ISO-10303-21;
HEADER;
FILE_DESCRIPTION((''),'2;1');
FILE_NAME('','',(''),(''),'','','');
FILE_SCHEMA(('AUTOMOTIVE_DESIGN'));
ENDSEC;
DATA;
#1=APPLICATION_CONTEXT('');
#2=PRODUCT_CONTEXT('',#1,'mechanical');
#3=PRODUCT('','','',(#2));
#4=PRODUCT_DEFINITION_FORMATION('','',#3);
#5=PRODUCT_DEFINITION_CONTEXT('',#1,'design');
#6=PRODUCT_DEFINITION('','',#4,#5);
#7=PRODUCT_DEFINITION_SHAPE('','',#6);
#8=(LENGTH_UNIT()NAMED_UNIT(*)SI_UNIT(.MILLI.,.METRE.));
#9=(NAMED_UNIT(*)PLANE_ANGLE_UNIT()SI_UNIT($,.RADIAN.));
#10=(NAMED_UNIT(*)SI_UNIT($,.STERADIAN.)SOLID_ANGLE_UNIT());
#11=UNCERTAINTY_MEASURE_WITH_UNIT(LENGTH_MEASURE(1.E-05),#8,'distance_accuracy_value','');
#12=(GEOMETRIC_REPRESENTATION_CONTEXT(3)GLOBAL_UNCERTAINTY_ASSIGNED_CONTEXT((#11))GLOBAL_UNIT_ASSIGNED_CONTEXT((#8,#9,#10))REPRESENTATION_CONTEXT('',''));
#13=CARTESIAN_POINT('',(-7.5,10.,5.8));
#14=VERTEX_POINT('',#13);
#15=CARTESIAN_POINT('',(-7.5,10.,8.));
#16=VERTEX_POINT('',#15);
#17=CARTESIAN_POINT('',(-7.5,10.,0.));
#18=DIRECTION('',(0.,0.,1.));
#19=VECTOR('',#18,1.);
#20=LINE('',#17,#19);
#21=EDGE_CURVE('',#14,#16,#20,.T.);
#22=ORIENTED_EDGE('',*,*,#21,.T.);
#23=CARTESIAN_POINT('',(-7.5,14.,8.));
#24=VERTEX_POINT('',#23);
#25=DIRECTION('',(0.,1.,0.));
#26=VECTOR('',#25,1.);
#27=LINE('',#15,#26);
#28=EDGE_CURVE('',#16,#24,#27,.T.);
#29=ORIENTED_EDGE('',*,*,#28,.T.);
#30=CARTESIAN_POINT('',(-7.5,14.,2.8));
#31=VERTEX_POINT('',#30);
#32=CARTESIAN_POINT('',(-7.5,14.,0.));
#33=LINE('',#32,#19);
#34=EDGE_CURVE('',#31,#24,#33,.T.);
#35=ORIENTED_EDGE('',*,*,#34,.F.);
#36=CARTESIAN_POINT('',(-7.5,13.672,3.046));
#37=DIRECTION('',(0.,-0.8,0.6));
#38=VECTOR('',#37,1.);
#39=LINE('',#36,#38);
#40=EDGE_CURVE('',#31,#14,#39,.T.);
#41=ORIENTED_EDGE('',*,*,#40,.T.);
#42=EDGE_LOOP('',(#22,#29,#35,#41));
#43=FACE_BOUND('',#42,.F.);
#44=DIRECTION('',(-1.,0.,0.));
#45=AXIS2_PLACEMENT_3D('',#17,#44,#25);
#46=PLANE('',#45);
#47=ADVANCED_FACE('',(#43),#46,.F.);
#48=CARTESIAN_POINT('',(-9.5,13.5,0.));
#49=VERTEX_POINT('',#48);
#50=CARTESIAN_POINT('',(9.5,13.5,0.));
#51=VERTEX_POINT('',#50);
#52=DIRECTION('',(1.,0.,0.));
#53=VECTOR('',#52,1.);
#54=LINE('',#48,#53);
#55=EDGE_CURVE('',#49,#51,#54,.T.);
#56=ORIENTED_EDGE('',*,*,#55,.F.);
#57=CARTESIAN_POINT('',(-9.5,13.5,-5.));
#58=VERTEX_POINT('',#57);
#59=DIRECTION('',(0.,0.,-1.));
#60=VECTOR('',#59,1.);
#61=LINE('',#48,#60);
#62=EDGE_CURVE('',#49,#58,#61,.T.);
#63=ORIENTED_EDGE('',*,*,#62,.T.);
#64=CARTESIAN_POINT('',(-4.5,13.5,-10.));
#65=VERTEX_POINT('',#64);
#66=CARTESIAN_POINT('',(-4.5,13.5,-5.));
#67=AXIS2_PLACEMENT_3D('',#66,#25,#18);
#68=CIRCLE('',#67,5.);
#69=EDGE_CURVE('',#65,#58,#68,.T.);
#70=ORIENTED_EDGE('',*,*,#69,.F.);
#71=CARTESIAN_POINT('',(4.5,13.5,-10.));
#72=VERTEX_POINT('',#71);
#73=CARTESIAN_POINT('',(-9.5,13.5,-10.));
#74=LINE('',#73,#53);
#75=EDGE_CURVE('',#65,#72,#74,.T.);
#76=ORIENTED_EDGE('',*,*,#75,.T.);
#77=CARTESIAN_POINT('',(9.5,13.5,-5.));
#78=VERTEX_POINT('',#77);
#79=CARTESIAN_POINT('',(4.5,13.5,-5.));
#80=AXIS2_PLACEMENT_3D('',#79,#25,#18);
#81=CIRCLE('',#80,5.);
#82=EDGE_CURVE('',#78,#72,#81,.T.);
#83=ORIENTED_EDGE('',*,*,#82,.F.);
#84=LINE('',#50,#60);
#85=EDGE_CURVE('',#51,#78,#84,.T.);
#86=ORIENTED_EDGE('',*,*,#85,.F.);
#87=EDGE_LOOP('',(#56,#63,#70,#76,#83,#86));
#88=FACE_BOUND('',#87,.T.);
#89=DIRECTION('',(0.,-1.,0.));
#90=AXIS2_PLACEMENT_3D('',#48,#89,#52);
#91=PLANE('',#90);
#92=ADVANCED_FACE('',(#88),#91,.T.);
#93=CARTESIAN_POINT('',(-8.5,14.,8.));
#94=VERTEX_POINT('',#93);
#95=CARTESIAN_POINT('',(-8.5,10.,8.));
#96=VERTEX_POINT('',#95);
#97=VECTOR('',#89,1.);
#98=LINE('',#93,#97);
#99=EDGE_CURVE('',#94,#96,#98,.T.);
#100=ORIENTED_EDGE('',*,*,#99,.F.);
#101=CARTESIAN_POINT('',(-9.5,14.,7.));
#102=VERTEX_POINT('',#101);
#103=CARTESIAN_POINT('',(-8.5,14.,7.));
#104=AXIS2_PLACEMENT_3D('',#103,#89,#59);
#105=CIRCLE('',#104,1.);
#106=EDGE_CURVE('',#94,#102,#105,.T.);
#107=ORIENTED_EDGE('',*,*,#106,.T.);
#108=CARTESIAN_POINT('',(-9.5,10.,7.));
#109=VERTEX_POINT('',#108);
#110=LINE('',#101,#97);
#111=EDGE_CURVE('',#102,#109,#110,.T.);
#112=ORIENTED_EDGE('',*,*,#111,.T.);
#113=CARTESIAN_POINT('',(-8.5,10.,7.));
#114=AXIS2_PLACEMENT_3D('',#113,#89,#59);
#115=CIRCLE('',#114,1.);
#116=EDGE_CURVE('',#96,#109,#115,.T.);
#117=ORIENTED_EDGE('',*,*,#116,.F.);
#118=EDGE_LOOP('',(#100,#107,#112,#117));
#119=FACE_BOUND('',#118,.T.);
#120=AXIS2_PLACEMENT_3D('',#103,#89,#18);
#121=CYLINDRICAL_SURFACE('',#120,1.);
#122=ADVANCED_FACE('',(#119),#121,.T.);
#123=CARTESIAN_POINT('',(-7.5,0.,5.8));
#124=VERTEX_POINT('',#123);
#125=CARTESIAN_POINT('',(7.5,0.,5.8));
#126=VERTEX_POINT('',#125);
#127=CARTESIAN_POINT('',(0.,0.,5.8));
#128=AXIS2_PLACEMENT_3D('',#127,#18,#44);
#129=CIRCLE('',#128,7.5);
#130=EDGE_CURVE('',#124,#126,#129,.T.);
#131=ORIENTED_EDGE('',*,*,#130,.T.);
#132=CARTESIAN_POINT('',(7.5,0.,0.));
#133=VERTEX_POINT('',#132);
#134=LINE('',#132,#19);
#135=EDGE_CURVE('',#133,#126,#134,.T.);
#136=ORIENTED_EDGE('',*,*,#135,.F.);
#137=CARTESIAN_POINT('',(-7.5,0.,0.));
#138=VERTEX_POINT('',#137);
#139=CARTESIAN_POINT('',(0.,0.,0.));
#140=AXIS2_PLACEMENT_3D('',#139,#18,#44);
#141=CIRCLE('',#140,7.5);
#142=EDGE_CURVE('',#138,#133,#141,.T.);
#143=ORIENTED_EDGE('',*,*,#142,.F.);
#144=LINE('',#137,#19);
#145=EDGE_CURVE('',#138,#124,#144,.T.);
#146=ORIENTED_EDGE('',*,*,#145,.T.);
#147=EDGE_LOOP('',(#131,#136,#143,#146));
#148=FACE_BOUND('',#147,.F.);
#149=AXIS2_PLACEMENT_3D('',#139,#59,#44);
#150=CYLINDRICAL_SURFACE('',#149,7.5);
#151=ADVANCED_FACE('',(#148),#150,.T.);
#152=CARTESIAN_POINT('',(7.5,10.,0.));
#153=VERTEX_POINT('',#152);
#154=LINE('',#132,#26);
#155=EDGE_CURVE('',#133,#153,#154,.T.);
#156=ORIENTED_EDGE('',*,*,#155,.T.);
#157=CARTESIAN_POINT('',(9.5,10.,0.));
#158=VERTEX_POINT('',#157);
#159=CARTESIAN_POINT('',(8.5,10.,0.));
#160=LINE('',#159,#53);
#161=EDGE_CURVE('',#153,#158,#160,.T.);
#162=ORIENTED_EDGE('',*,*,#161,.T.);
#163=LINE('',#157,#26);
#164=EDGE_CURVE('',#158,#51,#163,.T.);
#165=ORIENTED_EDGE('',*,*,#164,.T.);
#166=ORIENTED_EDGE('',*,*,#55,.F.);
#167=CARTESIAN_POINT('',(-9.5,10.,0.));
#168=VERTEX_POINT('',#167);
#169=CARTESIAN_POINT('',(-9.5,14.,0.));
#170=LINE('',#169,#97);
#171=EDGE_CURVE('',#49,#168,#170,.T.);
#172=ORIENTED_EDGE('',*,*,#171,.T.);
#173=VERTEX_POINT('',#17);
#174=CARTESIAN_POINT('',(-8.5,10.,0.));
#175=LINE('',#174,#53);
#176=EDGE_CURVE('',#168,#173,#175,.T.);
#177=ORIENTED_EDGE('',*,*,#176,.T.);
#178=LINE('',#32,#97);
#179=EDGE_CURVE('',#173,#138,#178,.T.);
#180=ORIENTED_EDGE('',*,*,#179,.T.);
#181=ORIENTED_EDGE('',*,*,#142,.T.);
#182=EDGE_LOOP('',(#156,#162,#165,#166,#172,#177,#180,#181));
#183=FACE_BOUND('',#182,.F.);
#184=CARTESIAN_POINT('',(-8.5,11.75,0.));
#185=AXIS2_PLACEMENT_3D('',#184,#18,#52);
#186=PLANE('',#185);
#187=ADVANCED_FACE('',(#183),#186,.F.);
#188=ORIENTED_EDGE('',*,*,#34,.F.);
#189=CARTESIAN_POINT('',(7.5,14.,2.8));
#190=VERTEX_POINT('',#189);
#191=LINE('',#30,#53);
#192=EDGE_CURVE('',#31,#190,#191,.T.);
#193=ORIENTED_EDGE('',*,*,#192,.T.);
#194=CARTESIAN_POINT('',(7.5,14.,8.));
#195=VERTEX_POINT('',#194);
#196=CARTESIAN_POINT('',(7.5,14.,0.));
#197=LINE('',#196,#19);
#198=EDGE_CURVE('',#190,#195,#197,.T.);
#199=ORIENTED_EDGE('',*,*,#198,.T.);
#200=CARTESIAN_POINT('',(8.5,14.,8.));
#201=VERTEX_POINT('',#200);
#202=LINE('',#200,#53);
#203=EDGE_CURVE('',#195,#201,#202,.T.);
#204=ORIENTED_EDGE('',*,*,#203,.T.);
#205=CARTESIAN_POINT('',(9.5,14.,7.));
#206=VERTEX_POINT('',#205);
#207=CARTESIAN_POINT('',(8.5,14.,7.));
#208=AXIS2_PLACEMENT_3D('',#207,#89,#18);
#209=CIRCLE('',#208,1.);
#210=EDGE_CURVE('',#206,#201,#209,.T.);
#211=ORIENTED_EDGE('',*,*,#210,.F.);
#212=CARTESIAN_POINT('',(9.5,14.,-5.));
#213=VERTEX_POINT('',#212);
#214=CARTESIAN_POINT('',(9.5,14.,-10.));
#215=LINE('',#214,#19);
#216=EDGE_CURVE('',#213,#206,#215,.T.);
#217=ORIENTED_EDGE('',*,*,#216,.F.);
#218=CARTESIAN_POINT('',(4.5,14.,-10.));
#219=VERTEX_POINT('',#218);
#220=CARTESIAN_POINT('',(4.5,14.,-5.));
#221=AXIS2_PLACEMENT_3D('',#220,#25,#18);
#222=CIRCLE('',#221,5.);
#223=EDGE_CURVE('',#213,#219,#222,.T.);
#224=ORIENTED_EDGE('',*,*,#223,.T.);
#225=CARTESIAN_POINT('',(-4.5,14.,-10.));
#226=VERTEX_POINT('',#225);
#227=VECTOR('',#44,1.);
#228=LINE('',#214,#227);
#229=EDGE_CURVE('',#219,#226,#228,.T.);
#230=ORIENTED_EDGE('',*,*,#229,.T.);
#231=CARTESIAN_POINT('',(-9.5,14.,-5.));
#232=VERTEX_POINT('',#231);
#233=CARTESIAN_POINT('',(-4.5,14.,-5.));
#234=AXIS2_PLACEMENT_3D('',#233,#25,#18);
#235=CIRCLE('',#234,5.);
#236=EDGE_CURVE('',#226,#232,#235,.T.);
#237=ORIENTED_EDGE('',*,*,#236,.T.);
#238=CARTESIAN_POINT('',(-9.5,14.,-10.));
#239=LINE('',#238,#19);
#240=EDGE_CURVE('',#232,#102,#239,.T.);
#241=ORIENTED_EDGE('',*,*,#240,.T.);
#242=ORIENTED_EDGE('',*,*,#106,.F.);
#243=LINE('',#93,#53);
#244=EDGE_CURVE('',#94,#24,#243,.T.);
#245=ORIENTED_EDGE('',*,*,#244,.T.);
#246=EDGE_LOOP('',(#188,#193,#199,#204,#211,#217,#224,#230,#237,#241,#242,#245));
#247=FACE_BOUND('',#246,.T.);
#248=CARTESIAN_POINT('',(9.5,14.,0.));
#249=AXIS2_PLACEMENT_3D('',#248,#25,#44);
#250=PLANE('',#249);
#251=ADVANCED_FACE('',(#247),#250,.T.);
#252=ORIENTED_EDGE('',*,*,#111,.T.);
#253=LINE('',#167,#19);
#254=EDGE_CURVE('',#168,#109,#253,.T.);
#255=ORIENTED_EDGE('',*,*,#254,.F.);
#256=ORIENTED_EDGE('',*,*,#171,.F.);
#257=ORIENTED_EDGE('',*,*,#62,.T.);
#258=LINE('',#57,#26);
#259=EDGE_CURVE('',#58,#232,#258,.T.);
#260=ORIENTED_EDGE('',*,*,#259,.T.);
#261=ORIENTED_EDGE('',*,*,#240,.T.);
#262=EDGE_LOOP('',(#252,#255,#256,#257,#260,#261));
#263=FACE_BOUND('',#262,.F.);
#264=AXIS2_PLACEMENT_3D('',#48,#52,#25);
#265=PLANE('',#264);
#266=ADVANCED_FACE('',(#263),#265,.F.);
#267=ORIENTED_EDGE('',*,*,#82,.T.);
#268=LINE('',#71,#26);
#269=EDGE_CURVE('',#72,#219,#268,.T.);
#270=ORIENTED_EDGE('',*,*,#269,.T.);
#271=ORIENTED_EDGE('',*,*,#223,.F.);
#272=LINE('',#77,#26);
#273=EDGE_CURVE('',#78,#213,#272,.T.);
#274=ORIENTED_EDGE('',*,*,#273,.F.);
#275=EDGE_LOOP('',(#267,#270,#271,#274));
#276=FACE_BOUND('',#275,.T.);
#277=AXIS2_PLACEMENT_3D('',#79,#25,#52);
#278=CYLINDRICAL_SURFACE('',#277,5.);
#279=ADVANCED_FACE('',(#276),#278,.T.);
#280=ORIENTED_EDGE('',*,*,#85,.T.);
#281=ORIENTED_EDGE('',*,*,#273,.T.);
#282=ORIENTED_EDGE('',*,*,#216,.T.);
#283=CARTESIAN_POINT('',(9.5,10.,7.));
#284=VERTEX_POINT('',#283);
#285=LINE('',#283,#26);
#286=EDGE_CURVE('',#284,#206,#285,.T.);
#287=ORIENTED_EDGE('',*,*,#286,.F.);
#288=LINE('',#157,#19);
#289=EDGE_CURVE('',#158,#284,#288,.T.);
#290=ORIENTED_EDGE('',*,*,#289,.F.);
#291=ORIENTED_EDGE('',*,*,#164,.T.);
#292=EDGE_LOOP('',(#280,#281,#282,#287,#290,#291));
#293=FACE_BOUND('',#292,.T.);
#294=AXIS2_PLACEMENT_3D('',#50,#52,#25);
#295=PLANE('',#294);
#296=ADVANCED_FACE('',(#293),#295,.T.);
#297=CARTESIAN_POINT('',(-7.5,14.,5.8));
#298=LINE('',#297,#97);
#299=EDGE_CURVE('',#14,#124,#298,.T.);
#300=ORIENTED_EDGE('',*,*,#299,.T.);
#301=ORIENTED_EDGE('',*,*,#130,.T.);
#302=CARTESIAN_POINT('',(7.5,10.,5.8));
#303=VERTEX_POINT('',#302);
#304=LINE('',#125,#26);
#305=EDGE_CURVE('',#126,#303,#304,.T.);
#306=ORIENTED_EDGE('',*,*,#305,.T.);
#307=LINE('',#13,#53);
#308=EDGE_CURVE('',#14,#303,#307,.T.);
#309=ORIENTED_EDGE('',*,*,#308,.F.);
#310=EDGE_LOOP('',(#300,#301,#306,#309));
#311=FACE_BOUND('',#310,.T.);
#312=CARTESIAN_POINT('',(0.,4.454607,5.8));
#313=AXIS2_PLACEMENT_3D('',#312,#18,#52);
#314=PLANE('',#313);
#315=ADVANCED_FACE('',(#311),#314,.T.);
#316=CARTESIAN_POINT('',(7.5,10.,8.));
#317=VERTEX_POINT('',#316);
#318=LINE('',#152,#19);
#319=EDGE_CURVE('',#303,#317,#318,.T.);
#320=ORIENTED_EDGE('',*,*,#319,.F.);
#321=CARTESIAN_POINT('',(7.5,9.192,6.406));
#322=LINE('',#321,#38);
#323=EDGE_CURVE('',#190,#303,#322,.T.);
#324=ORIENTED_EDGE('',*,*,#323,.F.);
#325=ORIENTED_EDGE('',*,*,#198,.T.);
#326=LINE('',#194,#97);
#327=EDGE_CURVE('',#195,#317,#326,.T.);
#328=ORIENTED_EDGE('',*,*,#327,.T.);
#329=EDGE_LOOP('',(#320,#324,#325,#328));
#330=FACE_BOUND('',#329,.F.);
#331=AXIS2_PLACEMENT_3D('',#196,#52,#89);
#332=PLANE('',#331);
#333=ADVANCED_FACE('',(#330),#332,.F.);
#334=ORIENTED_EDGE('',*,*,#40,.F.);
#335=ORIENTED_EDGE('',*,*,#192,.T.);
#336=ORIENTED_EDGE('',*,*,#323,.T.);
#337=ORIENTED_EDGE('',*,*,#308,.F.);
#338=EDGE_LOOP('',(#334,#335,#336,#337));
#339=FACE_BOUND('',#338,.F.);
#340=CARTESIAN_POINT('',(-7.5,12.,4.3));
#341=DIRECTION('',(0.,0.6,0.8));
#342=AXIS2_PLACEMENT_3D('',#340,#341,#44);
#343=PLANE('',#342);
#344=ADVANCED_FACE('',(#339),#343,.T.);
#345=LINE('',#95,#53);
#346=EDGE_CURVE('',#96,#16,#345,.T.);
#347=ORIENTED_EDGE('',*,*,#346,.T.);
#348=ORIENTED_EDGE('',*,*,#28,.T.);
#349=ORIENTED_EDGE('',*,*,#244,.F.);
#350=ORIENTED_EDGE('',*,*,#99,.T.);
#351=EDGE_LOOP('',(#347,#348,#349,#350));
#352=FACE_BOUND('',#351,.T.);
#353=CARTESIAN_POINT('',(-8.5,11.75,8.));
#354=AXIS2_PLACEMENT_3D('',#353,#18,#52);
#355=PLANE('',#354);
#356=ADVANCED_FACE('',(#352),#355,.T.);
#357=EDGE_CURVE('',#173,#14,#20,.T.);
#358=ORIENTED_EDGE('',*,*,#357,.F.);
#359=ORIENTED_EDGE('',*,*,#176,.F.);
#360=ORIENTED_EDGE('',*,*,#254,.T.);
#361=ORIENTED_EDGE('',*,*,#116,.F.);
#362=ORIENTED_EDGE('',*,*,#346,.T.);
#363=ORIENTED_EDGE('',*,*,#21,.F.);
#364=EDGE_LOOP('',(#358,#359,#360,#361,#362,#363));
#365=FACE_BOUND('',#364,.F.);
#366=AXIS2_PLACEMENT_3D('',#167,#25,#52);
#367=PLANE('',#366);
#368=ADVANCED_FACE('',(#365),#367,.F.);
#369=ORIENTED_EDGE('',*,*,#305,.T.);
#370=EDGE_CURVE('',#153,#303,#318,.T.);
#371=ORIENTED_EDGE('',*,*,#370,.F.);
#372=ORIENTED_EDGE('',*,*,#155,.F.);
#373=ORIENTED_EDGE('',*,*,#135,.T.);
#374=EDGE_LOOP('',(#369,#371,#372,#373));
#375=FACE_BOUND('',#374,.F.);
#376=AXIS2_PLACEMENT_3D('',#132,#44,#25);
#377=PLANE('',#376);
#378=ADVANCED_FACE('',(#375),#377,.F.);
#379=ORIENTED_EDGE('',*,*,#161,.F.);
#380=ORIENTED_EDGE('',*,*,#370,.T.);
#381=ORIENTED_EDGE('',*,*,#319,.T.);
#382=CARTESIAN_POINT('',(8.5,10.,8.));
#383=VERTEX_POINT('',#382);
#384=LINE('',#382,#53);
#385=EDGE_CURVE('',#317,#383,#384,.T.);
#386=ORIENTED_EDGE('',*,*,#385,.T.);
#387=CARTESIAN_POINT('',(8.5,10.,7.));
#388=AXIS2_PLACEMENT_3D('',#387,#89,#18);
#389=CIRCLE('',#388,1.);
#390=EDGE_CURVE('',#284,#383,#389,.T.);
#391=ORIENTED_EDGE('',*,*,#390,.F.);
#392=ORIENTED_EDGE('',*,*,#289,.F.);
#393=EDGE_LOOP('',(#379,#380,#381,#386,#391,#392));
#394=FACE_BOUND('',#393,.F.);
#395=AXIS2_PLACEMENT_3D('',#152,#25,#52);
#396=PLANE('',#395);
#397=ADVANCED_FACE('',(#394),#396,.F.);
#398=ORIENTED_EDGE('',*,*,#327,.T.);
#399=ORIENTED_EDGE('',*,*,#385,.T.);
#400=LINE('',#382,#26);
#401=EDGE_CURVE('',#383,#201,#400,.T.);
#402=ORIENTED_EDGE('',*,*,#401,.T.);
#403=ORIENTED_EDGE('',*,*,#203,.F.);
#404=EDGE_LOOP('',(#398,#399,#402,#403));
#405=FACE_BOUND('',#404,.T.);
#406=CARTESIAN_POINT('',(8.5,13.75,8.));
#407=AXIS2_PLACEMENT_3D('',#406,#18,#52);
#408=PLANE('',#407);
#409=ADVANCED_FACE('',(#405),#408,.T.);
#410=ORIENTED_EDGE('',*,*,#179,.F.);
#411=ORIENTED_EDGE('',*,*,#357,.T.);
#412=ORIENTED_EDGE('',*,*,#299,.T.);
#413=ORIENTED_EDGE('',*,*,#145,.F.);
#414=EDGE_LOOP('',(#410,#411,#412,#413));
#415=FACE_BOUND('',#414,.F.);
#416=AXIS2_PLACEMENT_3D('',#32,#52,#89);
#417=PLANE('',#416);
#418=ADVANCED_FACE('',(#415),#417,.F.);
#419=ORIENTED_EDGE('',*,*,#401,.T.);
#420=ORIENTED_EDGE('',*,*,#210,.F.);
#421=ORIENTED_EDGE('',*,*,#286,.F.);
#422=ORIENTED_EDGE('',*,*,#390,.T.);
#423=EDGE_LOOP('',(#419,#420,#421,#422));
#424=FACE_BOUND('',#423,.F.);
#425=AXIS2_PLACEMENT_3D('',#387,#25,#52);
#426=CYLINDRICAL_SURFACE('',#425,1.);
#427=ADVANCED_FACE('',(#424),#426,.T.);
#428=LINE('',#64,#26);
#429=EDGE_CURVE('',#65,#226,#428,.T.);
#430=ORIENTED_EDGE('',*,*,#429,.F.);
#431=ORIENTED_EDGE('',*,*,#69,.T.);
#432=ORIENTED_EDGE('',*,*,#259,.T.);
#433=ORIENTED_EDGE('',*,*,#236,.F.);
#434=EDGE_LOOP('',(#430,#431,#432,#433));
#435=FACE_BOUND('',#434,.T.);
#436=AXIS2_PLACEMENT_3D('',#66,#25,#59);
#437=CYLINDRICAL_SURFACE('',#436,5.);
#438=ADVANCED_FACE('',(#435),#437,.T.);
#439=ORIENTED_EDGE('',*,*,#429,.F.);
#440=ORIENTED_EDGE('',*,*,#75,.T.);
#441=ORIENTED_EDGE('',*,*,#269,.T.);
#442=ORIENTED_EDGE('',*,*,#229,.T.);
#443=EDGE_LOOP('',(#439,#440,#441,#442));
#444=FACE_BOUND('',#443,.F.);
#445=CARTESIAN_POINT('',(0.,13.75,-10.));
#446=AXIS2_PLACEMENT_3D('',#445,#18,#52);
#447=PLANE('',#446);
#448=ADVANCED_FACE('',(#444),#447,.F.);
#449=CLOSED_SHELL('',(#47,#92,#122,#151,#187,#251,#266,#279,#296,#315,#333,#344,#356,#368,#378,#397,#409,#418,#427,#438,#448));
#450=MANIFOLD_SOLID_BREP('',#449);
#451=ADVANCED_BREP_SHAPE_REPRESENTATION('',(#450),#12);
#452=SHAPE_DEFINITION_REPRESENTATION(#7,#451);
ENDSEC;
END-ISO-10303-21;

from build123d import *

# Parameters (mm, degrees)
F0_W     = 15
F0_H     = 0.5
F1_DEPTH = 5.8
F2_SIZE2 = 4
F2_SIZE  = 3
F0_W_2   = 2
F0_H_2   = 3.5
F3_DEPTH = 8
F4_DEPTH = 10
F5_R     = 1
F6_R     = 5


with BuildPart() as f1:
    # F0 (on Top) → F1 (new body)
    with BuildSketch(Plane.XY):
        with BuildLine():
            Line((-7.5, 10), (-7.5, 0))
            ThreePointArc((-7.5, 0), (0, -7.5), (7.5, 0))
            Line((7.5, 0), (7.5, 10))
            Line((7.5, 10), (7.5, 13.5))
            Line((7.5, 13.5), (-7.5, 13.5))
            Line((-7.5, 13.5), (-7.5, 10))
        make_face()
        with Locations((0, 13.75)):
            Rectangle(F0_W, F0_H)
    extrude(amount=F1_DEPTH)

    # F2
    f2_edges = [f1.edges().sort_by_distance(p)[0] for p in [
        (0, 14, 5.8),
    ]]
    chamfer(f2_edges, length=F2_SIZE, length2=F2_SIZE2)

    # F0 (on Top) → F3 (join)
    with BuildSketch(Plane.XY):
        with Locations((-8.5, 11.75)):
            Rectangle(F0_W_2, F0_H_2)
        with Locations((8.5, 13.75)):
            Rectangle(F0_W_2, F0_H)
        with Locations((8.5, 11.75)):
            Rectangle(F0_W_2, F0_H_2)
        with Locations((-8.5, 13.75)):
            Rectangle(F0_W_2, F0_H)
    extrude(amount=F3_DEPTH)

    # F0 (on Top) → F4 (join)
    with BuildSketch(Plane.XY):
        with Locations((0, 13.75)):
            Rectangle(F0_W, F0_H)
        with Locations((8.5, 13.75)):
            Rectangle(F0_W_2, F0_H)
        with Locations((-8.5, 13.75)):
            Rectangle(F0_W_2, F0_H)
    extrude(amount=-F4_DEPTH)

    # F5
    f5_edges = [f1.edges().sort_by_distance(p)[0] for p in [
        (-9.5, 12, 8),
        (9.5, 12, 8),
    ]]
    fillet(f5_edges, radius=F5_R)

    # F6
    f6_edges = [f1.edges().sort_by_distance(p)[0] for p in [
        (9.5, 13.75, -10),
        (-9.5, 13.75, -10),
    ]]
    fillet(f6_edges, radius=F6_R)


solid = f1.part
